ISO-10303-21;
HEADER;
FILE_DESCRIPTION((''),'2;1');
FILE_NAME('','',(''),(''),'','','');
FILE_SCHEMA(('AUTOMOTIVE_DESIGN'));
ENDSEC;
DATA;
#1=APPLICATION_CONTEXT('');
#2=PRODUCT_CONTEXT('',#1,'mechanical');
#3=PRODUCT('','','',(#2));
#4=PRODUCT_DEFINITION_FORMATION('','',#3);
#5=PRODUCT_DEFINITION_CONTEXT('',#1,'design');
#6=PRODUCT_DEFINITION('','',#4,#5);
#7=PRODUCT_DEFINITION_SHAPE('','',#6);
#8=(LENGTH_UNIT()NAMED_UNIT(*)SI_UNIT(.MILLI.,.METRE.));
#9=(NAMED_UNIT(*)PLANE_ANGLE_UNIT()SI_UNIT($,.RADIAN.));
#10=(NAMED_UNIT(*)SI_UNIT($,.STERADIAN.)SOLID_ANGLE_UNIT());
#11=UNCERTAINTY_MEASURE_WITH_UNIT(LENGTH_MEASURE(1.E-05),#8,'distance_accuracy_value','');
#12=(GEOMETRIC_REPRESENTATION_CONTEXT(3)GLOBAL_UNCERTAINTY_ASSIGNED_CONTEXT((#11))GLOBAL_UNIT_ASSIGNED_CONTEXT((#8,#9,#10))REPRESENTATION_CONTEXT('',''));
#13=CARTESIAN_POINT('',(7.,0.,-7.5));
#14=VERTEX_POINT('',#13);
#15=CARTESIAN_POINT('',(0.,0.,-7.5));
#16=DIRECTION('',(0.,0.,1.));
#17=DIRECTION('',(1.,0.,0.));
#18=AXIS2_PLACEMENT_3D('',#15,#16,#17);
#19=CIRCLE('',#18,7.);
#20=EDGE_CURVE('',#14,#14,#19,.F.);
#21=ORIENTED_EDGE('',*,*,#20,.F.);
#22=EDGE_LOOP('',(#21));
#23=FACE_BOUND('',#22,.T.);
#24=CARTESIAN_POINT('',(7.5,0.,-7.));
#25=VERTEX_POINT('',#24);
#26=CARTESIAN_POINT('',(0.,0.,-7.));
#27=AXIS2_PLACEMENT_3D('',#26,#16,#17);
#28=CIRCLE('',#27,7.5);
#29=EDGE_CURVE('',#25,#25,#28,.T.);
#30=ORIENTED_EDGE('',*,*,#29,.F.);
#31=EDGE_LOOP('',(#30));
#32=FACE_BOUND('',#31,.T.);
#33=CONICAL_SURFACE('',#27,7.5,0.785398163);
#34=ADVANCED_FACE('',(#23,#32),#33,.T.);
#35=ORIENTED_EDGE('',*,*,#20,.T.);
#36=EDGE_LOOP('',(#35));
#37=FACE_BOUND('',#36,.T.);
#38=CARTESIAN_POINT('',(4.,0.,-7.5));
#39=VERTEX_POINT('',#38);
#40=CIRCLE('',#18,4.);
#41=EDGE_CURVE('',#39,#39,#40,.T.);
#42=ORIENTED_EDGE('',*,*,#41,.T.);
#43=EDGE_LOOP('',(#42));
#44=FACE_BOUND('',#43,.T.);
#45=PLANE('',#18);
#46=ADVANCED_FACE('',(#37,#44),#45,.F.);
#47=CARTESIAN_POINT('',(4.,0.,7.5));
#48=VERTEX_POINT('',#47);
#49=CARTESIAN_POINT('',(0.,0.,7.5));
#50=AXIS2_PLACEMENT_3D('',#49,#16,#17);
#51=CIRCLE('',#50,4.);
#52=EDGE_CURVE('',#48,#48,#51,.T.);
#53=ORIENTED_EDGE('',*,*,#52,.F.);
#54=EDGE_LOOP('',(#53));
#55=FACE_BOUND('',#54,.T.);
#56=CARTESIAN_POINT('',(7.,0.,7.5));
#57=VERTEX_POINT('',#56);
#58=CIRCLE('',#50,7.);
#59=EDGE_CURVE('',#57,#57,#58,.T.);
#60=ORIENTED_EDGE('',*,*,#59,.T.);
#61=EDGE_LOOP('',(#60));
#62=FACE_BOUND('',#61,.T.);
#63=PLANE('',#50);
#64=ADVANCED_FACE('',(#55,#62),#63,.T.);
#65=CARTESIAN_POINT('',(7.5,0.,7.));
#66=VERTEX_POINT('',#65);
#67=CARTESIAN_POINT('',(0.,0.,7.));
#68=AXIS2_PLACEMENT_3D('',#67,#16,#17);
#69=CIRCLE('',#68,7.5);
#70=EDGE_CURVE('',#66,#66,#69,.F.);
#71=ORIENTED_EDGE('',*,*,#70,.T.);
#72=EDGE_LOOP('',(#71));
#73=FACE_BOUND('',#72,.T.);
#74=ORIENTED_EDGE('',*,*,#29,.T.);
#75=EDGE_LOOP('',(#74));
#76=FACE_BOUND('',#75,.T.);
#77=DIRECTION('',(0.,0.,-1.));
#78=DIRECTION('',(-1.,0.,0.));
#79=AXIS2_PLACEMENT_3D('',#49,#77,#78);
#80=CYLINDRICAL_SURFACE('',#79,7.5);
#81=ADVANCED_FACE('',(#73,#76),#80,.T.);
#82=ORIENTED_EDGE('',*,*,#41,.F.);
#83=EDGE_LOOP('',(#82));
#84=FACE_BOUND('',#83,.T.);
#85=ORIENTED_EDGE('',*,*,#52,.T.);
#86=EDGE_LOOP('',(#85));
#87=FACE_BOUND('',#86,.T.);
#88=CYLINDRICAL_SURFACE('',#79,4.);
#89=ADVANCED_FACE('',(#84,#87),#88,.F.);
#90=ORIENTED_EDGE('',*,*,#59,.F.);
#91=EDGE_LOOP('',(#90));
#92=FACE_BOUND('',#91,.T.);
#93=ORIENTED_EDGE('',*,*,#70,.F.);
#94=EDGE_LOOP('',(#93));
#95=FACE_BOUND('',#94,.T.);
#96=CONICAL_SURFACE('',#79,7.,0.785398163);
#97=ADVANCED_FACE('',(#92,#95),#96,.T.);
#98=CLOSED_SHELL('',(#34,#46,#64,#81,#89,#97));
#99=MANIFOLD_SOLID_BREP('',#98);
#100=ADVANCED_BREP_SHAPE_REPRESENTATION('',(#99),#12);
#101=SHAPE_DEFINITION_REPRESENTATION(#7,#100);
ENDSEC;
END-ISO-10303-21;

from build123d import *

# Parameters (mm, degrees)
SKETCH_1_R      = 7.5
SKETCH_1_R_2    = 4
EXTRUDE_1_DEPTH = 7.5
CHAMFER_1_SIZE  = 0.5
CHAMFER_2_SIZE  = 0.5


with BuildPart() as part:
    # 草图1 → 凸台-拉伸1 (new, symmetric)
    with BuildSketch(Plane.XY):
        Circle(SKETCH_1_R)
        Circle(SKETCH_1_R_2, mode=Mode.SUBTRACT)
    extrude(amount=EXTRUDE_1_DEPTH, both=True)

    # 倒角1
    chamfer_1_edges = [part.edges().sort_by_distance(p)[0] for p in [
        (-7.5, 0, -7.5),
    ]]
    chamfer(chamfer_1_edges, length=CHAMFER_1_SIZE)

    # 倒角2
    chamfer_2_edges = [part.edges().sort_by_distance(p)[0] for p in [
        (-7.5, 0, 7.5),
    ]]
    chamfer(chamfer_2_edges, length=CHAMFER_2_SIZE)


solid = part.part
